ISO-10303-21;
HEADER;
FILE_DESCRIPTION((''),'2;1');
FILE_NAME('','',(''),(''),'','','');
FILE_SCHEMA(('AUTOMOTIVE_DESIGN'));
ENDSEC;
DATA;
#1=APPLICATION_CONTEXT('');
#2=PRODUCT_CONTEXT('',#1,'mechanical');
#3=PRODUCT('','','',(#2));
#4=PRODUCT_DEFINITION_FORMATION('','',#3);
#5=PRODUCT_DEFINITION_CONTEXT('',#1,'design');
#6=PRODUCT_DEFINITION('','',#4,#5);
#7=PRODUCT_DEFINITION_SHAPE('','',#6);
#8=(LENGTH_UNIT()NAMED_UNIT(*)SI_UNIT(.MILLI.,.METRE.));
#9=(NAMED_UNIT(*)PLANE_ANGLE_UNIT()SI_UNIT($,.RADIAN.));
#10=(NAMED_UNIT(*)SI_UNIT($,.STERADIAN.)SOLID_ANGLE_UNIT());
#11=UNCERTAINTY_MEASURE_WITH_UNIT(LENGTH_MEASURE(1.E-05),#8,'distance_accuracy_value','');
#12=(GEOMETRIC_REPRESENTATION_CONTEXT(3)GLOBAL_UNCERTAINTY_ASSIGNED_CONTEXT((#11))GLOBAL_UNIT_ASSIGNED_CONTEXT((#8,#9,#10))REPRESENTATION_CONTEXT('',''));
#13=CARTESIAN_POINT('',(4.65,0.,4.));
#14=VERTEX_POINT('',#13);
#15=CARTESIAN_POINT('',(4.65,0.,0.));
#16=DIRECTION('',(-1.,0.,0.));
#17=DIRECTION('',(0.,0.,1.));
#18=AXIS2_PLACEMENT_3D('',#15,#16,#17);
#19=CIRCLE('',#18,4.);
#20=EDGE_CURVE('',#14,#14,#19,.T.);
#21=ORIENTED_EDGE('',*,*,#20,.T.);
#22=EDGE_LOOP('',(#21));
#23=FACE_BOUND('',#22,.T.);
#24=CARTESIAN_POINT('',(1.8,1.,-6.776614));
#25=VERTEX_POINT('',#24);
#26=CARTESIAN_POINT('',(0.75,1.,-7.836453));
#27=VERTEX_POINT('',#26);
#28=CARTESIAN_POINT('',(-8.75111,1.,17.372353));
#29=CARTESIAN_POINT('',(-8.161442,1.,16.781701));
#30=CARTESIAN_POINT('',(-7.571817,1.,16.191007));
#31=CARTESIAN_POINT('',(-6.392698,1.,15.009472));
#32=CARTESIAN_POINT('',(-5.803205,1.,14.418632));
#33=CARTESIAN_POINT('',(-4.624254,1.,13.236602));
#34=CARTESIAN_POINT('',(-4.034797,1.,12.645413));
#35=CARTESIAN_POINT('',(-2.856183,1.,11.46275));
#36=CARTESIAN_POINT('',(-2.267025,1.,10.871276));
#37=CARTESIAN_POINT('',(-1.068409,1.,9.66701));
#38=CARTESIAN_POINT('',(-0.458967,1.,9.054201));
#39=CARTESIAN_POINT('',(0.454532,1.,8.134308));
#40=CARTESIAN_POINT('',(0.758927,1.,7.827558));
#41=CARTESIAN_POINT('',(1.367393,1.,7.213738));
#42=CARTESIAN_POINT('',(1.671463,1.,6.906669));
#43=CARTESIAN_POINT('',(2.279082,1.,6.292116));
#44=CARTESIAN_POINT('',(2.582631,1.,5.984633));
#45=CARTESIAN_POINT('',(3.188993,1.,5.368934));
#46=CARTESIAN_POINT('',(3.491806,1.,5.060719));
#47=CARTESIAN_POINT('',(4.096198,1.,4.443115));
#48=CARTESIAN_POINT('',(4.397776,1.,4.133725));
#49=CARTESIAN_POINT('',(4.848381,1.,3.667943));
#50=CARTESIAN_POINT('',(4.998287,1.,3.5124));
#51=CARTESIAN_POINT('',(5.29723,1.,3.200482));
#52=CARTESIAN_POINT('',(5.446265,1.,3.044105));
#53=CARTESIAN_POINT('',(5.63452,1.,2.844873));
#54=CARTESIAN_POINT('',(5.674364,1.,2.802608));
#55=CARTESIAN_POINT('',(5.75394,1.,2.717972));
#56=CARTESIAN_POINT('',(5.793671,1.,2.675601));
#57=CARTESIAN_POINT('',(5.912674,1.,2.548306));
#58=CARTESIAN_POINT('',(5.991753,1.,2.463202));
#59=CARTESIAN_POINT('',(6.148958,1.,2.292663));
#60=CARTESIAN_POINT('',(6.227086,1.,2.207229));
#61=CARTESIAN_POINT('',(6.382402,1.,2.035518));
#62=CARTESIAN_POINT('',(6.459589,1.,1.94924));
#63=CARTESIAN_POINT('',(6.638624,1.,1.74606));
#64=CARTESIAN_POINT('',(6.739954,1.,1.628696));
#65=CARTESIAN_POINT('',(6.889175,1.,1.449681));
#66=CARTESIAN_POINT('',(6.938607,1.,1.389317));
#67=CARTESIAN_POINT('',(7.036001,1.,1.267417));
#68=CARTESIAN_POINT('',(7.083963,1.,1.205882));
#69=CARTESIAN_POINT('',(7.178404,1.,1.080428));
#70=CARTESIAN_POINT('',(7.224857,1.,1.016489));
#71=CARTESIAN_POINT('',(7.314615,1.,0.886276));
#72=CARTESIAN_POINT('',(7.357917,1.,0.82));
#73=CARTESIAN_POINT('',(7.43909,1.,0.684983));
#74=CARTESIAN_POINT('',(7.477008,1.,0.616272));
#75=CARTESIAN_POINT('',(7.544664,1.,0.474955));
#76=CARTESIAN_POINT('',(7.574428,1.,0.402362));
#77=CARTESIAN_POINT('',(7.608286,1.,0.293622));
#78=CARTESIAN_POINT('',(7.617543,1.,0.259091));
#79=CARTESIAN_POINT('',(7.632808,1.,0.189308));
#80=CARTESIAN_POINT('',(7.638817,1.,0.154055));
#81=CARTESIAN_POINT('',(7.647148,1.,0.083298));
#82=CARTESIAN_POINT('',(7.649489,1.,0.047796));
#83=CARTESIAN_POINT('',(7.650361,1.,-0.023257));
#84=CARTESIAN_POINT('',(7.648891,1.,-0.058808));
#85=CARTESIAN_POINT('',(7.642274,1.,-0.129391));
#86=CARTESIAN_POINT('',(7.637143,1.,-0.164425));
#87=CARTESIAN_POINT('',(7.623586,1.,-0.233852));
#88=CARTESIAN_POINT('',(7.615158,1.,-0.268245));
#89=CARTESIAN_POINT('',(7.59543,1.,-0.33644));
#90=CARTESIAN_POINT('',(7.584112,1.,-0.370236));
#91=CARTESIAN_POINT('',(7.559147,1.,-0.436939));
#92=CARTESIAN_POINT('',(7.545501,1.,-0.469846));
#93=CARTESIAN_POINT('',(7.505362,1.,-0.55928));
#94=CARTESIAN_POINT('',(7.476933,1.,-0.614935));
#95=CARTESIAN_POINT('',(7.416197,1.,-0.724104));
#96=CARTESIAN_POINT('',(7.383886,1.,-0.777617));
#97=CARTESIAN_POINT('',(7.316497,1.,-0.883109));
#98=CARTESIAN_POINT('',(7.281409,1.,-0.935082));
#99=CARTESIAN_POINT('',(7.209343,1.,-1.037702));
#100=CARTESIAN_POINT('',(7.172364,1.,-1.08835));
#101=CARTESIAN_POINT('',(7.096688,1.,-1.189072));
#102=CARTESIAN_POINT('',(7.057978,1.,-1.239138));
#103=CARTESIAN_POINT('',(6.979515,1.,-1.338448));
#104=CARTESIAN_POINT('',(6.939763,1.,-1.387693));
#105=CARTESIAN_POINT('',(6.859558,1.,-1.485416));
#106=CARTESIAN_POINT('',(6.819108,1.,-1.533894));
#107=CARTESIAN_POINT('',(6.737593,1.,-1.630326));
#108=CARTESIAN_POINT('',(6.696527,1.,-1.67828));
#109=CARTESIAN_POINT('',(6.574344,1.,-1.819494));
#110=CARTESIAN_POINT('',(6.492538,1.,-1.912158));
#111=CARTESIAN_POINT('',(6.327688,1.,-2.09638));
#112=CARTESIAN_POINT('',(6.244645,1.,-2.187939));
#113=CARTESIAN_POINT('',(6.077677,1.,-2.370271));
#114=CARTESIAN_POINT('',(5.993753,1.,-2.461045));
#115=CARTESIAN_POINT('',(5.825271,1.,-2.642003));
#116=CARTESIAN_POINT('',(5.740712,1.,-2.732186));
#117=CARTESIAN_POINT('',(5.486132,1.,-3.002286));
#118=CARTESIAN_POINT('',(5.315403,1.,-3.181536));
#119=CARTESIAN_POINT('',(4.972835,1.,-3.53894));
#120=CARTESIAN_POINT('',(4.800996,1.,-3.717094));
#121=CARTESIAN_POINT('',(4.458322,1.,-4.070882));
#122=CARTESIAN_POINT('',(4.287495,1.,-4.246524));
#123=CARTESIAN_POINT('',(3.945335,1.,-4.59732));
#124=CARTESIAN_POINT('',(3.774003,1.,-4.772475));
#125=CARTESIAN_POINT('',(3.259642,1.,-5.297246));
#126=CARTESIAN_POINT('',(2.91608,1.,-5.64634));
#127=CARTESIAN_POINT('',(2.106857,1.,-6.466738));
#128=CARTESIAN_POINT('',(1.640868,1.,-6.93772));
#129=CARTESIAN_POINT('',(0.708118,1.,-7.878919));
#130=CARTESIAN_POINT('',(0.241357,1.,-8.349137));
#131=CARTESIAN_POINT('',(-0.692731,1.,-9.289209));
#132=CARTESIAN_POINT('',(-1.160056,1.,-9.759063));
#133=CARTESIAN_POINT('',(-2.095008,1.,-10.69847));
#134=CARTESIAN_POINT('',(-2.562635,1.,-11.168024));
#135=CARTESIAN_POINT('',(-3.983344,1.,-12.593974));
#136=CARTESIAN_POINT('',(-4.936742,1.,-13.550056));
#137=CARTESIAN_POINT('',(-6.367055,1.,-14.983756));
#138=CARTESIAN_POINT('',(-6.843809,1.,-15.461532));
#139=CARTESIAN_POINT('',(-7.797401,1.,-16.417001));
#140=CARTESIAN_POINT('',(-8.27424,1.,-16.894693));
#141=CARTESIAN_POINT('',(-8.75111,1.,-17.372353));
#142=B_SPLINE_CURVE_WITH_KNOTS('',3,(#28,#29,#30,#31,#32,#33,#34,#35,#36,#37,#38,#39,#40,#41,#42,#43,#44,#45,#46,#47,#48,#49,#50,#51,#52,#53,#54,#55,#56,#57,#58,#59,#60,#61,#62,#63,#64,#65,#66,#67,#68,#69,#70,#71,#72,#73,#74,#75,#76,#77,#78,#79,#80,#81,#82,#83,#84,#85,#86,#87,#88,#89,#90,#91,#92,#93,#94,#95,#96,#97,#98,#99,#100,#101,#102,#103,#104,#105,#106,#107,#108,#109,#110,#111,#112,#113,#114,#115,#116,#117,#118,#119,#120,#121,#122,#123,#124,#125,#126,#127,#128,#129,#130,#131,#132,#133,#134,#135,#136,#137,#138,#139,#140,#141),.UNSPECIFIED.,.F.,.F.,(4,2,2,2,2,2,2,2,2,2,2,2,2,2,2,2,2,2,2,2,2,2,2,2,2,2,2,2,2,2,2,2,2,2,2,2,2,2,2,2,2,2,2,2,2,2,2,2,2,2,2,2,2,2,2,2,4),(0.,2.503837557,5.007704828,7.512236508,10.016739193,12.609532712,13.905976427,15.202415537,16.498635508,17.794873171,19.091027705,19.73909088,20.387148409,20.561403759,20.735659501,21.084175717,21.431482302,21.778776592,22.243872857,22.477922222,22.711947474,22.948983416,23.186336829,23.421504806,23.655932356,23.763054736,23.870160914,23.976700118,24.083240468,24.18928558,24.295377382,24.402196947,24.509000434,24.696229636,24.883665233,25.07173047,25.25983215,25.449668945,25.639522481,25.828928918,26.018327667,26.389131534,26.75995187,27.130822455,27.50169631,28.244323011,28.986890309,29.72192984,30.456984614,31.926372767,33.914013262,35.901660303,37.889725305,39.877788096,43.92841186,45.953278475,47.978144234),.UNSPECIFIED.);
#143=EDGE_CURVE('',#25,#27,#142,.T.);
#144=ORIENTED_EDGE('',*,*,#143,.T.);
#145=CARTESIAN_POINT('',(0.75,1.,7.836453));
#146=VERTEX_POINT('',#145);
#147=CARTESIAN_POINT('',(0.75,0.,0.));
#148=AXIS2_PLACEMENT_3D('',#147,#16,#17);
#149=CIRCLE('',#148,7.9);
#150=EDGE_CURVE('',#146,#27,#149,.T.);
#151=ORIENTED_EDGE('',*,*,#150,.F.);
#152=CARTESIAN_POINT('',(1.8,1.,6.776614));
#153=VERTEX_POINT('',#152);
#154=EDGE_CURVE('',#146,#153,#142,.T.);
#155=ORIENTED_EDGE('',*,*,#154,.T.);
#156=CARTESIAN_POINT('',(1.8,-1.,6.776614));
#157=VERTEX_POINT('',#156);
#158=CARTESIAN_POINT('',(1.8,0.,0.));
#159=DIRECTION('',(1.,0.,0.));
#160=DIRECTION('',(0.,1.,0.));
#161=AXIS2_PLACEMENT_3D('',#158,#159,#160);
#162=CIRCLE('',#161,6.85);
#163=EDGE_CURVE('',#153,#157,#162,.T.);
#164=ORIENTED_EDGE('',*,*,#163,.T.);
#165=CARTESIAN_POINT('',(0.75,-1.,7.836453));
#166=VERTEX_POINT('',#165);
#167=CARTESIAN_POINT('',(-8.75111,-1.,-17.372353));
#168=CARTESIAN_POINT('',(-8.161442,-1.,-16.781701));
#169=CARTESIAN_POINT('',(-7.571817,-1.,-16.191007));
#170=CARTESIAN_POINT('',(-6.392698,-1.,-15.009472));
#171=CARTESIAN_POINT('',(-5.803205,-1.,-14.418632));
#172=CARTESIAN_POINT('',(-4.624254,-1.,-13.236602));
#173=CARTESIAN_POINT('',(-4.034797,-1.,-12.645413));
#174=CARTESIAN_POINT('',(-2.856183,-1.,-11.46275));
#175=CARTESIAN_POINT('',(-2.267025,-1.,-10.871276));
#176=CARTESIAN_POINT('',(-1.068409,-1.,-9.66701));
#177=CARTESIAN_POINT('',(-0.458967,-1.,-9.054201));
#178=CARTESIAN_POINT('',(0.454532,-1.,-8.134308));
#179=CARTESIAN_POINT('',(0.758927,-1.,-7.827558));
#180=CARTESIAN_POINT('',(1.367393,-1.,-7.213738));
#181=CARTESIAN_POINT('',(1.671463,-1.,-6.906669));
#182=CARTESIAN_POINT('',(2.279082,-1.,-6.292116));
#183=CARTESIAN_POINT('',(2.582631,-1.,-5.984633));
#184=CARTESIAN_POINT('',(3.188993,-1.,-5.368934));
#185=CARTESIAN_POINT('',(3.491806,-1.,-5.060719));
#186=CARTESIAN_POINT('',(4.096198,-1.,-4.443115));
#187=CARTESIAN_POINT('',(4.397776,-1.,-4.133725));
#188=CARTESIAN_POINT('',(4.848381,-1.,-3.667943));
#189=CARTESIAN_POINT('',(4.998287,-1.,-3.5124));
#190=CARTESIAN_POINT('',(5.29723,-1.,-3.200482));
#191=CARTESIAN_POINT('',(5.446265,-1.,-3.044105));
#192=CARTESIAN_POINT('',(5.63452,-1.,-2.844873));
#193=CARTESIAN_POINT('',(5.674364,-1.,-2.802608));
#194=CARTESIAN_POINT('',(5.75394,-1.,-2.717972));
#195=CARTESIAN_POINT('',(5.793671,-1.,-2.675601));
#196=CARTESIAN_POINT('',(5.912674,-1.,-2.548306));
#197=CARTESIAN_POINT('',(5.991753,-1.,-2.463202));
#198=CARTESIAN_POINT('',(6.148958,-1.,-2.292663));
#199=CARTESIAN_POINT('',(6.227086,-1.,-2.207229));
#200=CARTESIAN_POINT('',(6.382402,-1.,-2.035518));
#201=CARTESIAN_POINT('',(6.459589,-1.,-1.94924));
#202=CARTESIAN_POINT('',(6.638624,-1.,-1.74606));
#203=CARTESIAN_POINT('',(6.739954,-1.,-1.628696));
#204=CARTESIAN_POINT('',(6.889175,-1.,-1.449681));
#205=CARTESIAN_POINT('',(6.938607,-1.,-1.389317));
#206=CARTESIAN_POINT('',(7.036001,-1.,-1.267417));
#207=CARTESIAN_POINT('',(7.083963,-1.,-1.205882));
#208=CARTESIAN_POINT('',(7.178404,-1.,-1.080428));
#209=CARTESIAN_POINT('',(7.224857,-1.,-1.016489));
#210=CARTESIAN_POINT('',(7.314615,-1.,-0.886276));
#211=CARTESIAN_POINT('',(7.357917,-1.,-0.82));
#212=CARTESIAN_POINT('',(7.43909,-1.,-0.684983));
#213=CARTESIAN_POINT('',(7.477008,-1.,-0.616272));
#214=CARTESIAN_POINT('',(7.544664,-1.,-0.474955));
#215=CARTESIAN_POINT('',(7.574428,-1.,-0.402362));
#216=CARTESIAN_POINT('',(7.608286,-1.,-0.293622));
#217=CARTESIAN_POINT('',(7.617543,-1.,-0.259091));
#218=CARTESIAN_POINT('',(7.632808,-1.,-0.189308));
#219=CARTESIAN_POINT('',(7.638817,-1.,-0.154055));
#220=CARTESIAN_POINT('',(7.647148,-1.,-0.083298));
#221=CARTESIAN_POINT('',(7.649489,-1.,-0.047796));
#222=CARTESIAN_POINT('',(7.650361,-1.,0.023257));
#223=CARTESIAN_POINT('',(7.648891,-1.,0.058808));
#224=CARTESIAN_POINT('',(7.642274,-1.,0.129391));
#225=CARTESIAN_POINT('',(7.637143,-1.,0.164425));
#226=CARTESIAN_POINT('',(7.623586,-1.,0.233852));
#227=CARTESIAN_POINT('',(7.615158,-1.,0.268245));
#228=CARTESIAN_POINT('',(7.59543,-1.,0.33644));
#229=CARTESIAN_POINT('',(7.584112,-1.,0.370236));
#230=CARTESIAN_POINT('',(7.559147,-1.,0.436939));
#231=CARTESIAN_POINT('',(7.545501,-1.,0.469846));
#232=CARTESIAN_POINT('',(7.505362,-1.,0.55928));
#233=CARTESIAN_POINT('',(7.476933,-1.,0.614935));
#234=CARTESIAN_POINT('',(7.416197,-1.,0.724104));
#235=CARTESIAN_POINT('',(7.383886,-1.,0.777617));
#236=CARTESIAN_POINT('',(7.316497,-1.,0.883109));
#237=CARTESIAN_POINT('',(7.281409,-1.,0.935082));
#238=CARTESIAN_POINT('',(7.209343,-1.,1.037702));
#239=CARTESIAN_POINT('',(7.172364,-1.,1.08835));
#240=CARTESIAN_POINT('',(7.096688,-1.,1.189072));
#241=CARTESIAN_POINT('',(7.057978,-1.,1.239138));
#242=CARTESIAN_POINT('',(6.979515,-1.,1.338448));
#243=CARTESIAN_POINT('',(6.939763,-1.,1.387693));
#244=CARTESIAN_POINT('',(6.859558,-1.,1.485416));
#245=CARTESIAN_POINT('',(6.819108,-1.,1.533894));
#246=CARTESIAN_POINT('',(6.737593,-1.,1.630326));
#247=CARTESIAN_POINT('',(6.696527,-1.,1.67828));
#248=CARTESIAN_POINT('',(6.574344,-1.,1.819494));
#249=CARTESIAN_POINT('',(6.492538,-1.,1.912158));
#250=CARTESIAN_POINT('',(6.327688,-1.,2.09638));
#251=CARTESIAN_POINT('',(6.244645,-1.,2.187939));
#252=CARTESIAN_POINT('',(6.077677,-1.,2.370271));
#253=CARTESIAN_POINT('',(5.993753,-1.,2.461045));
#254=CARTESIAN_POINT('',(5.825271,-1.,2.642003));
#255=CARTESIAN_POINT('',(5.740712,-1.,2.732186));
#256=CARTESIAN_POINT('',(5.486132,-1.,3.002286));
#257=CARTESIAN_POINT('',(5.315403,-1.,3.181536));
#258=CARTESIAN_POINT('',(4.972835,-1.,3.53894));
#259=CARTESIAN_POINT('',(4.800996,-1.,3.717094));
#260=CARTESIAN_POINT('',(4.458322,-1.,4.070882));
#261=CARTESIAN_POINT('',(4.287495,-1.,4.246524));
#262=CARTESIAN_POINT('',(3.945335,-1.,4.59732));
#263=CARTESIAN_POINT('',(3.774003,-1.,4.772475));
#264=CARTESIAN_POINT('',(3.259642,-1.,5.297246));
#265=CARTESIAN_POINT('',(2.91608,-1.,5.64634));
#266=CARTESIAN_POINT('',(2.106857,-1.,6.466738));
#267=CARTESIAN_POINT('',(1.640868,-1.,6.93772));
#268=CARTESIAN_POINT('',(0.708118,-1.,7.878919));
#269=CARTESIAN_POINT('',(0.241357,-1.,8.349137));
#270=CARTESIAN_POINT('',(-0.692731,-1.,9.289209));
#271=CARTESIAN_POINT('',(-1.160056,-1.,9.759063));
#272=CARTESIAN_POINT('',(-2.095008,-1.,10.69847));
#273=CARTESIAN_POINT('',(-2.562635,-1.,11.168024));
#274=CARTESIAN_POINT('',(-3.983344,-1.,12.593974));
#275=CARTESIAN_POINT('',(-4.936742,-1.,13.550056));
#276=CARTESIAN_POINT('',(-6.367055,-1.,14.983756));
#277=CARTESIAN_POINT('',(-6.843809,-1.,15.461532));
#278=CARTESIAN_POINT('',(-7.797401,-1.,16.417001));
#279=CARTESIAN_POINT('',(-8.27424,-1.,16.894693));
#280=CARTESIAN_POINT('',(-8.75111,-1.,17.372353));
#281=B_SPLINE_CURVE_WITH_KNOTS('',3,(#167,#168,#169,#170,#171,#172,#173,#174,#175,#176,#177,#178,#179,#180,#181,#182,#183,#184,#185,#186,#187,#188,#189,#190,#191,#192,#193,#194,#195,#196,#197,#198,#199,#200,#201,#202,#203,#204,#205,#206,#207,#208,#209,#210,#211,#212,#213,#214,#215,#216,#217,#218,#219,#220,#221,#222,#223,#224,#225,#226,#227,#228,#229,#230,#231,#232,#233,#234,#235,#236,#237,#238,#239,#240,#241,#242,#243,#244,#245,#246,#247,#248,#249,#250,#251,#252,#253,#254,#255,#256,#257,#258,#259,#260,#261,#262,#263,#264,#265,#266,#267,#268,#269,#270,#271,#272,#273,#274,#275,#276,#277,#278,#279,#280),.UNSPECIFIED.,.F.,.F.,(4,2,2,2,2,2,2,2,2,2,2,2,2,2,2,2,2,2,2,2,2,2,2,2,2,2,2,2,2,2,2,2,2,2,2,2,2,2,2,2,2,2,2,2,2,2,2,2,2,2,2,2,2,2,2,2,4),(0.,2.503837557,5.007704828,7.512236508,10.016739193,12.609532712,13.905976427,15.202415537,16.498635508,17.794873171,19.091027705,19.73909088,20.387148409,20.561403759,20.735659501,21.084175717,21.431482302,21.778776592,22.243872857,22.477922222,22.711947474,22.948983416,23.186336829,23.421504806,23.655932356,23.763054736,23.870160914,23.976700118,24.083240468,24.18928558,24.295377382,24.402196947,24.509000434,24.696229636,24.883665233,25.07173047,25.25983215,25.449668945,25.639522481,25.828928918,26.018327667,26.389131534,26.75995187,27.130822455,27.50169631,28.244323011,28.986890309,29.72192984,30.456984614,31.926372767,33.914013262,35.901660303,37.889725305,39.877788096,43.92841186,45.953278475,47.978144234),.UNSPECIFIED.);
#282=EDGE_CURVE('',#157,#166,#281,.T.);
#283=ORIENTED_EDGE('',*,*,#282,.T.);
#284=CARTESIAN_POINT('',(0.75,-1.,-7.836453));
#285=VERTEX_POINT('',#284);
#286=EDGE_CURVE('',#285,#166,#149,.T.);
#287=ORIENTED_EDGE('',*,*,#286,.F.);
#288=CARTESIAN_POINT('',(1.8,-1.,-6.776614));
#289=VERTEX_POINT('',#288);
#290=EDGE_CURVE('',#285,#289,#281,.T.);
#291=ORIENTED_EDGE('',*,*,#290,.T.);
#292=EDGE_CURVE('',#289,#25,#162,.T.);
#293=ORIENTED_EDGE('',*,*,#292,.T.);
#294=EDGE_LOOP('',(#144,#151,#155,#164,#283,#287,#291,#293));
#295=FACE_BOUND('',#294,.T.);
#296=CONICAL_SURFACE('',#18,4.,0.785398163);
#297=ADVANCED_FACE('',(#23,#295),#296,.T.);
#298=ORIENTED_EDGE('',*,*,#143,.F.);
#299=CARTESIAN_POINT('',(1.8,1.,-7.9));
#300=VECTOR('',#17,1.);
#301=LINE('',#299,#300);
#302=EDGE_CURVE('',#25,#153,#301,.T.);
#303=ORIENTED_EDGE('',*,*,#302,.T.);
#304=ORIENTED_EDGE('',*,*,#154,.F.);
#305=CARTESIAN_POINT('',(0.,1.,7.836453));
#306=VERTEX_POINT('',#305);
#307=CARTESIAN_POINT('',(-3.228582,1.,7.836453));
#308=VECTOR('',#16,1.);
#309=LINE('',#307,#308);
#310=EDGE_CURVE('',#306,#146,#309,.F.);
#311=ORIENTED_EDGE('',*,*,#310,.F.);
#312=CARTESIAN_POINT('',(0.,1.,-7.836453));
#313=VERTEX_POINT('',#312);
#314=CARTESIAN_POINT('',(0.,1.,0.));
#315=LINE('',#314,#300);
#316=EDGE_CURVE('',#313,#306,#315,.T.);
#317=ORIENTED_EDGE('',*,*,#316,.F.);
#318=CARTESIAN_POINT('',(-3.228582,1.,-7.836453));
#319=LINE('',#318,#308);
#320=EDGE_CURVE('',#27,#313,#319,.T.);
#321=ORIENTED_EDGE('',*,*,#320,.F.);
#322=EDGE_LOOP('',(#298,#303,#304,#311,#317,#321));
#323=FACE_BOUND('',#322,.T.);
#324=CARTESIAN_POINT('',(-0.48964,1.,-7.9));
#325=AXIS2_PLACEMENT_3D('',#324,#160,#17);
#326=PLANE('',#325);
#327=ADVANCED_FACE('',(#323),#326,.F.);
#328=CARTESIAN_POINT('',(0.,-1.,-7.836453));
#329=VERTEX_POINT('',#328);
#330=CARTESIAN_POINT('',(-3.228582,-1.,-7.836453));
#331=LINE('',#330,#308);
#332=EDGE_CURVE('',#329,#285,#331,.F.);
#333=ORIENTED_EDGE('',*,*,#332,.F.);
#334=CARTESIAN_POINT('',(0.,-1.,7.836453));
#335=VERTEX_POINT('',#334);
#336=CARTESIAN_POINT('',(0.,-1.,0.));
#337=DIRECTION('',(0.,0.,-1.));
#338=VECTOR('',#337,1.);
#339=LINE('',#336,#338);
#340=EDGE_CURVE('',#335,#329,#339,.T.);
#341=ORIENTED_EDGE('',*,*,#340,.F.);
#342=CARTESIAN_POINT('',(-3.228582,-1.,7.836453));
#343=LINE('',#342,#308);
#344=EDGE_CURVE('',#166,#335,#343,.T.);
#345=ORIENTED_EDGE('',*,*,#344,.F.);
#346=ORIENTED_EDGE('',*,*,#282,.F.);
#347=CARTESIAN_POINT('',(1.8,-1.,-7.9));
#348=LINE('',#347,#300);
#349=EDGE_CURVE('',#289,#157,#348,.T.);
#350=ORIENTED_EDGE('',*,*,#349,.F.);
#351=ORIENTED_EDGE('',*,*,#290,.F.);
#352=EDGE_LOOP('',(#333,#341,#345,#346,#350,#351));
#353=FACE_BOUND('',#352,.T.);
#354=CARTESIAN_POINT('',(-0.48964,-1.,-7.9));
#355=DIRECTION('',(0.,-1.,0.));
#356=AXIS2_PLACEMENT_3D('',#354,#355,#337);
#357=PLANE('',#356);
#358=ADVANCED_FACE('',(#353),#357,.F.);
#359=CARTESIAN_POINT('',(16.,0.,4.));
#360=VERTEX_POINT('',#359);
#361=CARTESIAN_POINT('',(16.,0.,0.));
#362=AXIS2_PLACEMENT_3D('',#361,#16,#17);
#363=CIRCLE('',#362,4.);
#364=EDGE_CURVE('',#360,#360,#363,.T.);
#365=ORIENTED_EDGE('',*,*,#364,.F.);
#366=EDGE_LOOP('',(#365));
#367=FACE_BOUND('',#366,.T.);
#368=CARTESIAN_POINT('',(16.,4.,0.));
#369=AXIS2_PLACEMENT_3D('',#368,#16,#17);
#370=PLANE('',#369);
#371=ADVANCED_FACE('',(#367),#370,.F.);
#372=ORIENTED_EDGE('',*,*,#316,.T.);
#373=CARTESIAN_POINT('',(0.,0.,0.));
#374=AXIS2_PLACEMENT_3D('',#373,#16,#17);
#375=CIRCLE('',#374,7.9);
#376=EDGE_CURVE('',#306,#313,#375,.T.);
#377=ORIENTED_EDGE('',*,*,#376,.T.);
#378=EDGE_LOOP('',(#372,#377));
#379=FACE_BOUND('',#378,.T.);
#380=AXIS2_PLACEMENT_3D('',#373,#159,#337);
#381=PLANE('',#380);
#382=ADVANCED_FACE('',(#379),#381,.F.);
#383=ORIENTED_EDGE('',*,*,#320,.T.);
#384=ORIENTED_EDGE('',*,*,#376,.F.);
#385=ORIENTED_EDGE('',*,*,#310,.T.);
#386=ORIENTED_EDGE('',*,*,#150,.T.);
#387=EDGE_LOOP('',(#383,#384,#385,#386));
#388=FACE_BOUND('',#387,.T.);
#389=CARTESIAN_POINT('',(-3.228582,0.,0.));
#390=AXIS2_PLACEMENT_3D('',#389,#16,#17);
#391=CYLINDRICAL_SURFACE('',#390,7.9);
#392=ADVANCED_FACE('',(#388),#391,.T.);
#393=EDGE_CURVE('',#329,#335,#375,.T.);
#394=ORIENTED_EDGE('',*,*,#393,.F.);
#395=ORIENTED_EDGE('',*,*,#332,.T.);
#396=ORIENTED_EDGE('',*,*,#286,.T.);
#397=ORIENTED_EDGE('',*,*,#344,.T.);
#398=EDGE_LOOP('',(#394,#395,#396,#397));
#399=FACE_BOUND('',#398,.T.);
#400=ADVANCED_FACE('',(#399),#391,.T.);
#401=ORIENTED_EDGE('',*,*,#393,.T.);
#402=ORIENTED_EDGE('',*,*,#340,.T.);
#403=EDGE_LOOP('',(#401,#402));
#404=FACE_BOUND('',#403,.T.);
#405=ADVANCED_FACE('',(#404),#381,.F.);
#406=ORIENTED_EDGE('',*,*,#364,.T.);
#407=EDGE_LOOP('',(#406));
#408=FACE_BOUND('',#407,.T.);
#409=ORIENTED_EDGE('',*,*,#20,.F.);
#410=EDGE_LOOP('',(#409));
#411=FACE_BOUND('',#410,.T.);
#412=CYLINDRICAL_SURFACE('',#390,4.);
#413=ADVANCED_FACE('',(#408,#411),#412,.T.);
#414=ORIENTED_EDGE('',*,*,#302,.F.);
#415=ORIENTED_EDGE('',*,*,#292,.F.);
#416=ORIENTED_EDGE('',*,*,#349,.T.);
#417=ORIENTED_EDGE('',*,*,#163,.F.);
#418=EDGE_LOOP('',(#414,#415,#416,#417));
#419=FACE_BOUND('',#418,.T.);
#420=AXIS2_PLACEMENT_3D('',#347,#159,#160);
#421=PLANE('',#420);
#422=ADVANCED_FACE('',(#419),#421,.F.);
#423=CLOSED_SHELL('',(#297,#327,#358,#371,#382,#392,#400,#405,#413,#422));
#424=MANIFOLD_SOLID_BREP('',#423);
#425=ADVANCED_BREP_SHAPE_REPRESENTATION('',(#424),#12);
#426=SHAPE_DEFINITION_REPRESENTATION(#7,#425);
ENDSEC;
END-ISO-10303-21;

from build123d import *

# Parameters (mm, degrees)
CUT_EXTRUDE_1_DEPTH      = 20.514609912
CUT_EXTRUDE_1_DEPTH_BACK = 20.514609912
SKETCH_2_W               = 2.289640131
SKETCH_2_H               = 2


with BuildPart() as part:
    # 草图1 → 旋转1 (revolve)
    with BuildSketch(Plane.XY, mode=Mode.PRIVATE) as revolve_1_sk:
        Polygon((0, 0), (0, 7.9), (0.75, 7.9), (4.65, 4), (16, 4), (16, 0), align=None)
    revolve(revolve_1_sk.sketch.rotate(Axis((-3.228581577, 0, 0), (1, 0, 0)), 90), axis=Axis((-3.228581577, 0, 0), (1, 0, 0)))

    # 草图2 → 切除-拉伸1 (cut, two sides: drawn at the far end of the back side and taken through both)
    with BuildSketch(Plane.XY.offset(-CUT_EXTRUDE_1_DEPTH_BACK)):
        with Locations((0.655179935, 0)):
            Rectangle(SKETCH_2_W, SKETCH_2_H)
    extrude(amount=CUT_EXTRUDE_1_DEPTH + CUT_EXTRUDE_1_DEPTH_BACK, mode=Mode.SUBTRACT)


solid = part.part
